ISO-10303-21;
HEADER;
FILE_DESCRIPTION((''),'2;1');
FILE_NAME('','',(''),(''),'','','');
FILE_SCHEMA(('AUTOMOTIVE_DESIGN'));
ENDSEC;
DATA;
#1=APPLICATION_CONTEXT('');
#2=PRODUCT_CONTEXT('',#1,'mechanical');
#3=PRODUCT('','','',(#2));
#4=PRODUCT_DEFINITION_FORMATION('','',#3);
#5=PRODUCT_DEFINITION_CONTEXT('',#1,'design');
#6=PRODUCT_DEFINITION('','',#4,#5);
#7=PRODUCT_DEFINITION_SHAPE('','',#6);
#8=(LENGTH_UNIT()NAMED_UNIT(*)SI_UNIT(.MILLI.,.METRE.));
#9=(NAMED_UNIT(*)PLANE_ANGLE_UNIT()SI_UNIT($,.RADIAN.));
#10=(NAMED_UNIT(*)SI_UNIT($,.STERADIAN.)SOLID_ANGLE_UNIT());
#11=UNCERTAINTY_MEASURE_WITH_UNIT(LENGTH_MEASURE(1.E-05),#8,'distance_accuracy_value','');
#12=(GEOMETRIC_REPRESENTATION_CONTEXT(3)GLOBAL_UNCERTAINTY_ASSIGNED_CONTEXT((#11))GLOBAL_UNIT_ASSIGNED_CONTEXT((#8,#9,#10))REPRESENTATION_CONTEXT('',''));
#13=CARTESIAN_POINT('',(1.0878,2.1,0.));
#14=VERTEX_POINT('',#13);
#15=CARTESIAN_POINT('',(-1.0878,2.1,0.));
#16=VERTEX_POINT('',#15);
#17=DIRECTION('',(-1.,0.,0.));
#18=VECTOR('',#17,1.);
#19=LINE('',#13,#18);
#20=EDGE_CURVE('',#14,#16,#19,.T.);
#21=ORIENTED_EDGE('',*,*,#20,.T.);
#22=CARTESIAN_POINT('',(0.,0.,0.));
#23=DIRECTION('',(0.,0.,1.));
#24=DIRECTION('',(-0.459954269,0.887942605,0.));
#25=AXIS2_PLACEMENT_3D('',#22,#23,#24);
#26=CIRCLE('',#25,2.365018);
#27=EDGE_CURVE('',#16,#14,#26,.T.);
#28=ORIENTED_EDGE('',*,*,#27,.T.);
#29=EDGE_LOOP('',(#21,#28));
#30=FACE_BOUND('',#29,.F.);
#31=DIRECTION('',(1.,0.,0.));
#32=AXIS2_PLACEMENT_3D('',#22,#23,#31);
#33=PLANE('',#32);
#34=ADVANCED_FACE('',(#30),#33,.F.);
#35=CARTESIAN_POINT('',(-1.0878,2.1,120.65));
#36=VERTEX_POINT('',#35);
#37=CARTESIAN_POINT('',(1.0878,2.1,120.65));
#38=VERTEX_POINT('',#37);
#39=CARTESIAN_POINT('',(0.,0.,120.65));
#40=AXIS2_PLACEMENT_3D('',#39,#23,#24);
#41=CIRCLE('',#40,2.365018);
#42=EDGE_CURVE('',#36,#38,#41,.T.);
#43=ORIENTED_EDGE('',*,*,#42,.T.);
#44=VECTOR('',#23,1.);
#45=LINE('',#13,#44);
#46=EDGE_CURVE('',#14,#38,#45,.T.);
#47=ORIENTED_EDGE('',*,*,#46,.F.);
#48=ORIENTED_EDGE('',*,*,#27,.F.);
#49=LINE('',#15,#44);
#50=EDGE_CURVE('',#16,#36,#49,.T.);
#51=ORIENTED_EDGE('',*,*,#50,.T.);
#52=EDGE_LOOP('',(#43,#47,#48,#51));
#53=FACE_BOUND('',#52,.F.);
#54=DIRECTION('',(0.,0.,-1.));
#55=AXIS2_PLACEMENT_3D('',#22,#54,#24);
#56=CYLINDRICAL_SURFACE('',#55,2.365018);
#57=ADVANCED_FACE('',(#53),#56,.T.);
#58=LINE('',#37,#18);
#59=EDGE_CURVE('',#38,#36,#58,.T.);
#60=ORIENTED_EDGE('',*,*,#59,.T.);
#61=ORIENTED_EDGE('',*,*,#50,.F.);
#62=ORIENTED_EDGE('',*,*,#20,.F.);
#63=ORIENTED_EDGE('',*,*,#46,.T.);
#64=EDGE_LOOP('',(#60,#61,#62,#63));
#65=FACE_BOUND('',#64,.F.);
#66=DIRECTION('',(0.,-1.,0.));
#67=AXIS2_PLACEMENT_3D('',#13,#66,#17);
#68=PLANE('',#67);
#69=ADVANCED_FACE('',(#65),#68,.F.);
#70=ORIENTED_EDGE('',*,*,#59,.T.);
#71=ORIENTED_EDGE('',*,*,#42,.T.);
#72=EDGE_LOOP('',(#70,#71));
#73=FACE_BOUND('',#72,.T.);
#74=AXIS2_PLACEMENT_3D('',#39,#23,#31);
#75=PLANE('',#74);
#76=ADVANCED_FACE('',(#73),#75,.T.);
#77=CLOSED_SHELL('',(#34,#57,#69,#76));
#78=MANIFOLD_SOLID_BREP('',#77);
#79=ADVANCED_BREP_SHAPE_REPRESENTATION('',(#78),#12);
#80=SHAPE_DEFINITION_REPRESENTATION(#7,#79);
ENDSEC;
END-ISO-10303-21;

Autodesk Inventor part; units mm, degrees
ref_plane "YZ Plane" through (0, 0, 0) normal (1, 0, 0) x (0, 1, 0)
ref_plane "XZ Plane" through (0, 0, 0) normal (0, 1, 0) x (-1, 0, 0)
sketch "Sketch1" plane through (0, 0, 0) normal (0, 0, 1) x (1, 0, 0)
  arc A0 (-1.0878, 2.1) -> (1.0878, 2.1) centre (0, 0) ccw
  line L0 (1.0878, 2.1) -> (-1.0878, 2.1)
extrude "Extrusion1" add sketch "Sketch1" along normal blind 120.65
ref_plane "Work Plane1" through (0, 0, 60.325) normal (0, 0, 1) x (1, 0, 0)
properties part number "BallShoot Axle"
